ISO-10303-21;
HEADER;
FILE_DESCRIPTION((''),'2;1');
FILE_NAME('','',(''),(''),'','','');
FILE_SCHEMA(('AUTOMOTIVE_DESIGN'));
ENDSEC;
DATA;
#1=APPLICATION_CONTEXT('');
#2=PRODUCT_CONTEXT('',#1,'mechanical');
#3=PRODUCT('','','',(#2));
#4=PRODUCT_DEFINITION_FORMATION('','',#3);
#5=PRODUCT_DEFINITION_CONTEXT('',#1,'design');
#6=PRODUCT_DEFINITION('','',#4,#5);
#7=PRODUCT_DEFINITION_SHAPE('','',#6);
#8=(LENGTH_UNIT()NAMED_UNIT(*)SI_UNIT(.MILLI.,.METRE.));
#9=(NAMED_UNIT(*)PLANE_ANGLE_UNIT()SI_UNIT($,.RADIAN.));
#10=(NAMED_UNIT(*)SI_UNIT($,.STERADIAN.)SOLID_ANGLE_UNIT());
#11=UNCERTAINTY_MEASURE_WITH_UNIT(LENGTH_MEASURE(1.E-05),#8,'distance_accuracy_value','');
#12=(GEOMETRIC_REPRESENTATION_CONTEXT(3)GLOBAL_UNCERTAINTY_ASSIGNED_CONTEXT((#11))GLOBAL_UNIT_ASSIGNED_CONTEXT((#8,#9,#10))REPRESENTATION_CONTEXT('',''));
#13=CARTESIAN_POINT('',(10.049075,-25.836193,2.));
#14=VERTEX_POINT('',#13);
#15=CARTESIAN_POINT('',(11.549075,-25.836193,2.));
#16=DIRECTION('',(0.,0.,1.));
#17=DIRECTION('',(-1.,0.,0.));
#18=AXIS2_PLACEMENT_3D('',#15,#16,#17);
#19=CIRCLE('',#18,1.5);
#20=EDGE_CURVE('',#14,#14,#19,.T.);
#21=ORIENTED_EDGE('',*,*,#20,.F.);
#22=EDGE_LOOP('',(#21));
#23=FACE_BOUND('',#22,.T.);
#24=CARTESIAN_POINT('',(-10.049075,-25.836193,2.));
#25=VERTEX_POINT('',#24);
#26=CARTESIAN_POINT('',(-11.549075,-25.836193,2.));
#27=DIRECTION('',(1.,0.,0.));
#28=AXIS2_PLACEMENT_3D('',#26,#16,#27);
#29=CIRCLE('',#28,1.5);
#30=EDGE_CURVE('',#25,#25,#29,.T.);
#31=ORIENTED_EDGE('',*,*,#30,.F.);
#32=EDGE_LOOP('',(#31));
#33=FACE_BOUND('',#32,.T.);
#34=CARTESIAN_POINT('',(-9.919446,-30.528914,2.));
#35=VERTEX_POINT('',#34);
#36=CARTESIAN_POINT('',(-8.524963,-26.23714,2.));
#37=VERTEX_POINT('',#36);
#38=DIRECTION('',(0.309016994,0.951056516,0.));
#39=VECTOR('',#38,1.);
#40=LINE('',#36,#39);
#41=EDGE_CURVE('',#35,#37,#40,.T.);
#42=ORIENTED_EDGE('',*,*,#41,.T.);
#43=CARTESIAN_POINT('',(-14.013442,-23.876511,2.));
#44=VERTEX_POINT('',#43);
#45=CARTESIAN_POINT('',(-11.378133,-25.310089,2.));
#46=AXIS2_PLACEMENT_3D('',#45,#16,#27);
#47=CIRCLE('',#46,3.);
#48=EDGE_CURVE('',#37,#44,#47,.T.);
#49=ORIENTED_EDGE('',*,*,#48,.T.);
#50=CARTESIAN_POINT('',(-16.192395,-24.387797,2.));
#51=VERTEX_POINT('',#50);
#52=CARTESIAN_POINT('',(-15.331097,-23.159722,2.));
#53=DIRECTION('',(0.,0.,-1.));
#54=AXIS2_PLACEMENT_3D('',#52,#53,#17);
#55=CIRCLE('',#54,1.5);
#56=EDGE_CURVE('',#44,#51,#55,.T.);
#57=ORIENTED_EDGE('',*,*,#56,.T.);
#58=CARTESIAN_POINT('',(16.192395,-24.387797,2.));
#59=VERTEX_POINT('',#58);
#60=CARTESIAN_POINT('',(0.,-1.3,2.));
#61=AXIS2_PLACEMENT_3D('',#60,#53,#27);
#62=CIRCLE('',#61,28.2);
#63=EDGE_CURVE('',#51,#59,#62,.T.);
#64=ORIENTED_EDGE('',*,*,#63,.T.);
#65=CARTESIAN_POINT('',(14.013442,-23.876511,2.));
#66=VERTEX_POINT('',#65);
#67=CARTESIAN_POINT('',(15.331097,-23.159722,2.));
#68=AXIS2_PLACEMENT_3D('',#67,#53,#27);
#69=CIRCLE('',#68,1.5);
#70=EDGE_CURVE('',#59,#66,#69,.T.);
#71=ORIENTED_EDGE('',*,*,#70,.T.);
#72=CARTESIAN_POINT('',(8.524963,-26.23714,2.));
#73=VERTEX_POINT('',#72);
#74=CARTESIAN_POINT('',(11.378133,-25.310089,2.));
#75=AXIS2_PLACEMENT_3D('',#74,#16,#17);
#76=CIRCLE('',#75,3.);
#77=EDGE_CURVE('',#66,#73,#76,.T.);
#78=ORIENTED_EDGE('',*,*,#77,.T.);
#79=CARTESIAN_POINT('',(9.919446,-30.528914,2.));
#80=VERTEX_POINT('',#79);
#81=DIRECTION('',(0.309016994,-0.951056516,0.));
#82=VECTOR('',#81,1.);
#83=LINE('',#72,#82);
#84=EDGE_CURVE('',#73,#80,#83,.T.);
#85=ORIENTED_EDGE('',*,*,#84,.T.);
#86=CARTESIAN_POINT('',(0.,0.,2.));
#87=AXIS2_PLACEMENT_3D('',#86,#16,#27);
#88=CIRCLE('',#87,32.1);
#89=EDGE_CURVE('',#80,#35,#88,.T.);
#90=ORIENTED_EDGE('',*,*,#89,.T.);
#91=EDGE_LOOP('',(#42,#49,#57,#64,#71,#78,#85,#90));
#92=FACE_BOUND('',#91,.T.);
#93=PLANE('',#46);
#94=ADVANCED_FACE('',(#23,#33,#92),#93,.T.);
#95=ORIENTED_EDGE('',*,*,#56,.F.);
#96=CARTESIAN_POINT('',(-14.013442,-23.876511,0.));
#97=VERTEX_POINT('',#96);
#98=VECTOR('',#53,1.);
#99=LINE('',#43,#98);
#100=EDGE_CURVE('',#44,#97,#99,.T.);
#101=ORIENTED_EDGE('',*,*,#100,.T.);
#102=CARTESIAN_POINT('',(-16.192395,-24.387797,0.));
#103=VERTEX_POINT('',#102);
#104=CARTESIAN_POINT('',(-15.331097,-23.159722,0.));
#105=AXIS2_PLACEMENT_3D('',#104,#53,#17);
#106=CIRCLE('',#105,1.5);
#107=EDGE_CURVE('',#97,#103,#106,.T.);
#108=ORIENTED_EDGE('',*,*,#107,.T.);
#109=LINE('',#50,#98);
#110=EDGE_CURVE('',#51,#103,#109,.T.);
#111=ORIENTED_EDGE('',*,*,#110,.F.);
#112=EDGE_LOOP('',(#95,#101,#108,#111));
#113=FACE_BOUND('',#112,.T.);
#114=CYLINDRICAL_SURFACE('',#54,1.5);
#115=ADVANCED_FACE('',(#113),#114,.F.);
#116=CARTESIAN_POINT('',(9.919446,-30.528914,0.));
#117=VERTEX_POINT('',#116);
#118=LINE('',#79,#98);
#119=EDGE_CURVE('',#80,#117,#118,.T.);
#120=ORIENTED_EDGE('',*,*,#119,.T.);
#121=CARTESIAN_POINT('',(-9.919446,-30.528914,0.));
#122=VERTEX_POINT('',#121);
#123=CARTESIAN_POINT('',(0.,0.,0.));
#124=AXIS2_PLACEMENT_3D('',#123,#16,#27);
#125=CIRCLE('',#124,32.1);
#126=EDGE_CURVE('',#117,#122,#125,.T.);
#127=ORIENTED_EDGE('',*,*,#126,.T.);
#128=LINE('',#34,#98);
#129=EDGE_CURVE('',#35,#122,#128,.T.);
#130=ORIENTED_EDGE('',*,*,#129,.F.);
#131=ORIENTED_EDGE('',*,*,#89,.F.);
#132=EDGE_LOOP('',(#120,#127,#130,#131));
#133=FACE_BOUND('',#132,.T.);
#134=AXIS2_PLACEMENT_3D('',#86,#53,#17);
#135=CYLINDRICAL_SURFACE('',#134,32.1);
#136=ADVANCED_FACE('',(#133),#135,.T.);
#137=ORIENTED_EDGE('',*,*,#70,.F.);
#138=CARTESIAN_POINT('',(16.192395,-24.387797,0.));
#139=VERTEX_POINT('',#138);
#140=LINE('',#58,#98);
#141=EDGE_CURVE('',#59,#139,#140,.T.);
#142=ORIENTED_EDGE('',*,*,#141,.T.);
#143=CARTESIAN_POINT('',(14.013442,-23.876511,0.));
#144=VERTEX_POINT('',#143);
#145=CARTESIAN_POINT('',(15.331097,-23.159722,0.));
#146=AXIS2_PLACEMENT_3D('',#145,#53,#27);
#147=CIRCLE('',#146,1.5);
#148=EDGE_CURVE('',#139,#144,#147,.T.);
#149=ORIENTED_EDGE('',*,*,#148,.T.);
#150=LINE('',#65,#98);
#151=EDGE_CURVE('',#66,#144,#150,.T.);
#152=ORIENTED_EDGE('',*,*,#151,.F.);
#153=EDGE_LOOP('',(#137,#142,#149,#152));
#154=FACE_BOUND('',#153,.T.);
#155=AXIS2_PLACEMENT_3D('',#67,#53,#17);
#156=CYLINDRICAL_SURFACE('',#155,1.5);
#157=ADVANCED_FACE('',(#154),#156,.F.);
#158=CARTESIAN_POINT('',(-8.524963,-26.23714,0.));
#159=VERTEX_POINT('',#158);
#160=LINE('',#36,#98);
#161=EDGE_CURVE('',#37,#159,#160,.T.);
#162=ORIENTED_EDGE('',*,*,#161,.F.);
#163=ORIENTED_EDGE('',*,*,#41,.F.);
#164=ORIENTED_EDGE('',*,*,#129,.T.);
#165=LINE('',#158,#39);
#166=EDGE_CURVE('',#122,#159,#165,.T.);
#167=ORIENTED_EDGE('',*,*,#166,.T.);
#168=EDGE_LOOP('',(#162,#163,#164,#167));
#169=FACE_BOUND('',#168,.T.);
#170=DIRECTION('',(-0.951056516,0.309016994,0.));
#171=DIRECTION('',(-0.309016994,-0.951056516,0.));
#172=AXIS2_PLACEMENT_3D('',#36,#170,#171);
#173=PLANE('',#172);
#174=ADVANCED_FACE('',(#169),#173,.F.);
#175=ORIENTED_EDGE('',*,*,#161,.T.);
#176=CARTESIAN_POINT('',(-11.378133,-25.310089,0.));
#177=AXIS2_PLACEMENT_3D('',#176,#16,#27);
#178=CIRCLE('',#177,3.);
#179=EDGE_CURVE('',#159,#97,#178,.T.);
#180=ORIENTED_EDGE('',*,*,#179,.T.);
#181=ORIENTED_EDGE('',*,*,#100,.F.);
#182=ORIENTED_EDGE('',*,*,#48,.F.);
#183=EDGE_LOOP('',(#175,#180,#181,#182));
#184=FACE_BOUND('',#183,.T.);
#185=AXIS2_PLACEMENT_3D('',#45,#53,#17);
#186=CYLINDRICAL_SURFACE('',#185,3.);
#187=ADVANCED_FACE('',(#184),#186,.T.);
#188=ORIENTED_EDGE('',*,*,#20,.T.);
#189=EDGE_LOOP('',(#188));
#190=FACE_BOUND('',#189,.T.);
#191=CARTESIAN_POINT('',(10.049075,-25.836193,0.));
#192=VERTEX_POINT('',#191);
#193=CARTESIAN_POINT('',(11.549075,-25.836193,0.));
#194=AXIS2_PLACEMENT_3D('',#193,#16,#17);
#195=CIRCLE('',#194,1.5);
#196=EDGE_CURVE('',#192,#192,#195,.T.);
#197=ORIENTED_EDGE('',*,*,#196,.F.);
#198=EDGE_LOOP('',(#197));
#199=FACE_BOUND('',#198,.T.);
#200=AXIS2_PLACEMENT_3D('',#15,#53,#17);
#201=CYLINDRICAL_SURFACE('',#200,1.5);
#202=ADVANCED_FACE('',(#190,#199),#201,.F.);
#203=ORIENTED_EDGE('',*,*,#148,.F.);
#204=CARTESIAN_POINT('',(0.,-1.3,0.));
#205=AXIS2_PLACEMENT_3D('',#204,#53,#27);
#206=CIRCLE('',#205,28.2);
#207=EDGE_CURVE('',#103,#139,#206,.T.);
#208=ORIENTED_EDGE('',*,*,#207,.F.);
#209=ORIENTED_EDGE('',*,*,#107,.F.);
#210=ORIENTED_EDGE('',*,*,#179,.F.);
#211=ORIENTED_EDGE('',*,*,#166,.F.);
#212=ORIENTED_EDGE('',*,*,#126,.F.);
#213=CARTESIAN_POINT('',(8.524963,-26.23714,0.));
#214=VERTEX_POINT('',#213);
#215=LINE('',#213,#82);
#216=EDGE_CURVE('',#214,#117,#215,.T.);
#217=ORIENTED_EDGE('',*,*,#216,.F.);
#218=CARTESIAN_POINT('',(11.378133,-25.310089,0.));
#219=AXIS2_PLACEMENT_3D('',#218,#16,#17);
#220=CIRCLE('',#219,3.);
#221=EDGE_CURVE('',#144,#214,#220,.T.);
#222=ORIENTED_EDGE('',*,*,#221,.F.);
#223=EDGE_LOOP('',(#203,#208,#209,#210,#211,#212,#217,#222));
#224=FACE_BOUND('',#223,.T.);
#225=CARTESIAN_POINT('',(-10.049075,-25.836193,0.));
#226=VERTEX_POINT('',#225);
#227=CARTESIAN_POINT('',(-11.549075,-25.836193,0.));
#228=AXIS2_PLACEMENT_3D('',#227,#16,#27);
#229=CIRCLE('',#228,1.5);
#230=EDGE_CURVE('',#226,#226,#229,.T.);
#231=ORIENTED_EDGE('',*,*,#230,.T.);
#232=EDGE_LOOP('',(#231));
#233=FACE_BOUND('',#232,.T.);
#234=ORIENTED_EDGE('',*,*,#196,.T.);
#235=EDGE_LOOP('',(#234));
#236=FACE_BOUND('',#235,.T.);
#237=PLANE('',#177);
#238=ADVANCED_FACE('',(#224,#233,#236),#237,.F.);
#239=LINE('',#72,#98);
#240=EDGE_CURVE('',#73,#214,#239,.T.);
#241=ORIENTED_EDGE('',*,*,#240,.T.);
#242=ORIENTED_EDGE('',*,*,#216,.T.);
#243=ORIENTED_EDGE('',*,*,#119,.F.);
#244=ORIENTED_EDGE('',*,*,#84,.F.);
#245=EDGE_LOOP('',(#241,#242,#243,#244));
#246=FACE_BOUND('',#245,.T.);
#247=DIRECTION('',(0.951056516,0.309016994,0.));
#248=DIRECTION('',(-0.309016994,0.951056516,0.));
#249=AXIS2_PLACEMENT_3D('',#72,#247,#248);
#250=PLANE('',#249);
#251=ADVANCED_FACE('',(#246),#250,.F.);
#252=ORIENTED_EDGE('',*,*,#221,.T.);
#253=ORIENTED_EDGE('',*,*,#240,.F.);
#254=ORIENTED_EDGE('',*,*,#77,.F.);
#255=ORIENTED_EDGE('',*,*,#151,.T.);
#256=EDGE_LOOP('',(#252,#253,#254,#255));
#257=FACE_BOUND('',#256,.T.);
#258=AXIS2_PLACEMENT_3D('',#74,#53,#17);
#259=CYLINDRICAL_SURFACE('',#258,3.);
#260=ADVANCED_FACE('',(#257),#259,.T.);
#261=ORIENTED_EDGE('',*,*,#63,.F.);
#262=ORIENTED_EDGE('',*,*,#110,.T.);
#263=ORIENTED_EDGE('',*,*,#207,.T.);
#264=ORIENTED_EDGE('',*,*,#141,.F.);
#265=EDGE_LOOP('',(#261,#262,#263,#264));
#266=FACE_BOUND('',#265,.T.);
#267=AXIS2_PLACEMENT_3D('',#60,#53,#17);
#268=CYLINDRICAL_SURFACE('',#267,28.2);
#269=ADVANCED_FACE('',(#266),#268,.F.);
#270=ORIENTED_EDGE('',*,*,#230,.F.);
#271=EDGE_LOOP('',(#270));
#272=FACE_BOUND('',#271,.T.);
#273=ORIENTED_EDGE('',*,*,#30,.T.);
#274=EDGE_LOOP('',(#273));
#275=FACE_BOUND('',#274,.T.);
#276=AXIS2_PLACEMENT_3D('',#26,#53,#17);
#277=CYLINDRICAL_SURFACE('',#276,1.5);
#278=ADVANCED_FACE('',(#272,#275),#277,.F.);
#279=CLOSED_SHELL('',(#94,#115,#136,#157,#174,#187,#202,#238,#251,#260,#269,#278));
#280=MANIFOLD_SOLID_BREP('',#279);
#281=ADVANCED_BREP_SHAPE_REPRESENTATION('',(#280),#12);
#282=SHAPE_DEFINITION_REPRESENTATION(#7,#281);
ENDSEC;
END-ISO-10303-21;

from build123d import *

# Parameters (mm, degrees)
SKETCH_1_R        = 1.5
EXTRUDE_876_DEPTH = 2


with BuildPart() as part:
    # 草图1 → Extrude 876 (new body)
    with BuildSketch(Plane.XY):
        with BuildLine():
            Line((-8.524963452, -26.237139671), (-9.919445519, -30.528914173))
            ThreePointArc((-9.919445519, -30.528914173), (0, 32.1), (9.919445519, -30.528914173))
            Line((9.919445519, -30.528914173), (8.524963452, -26.237139671))
            ThreePointArc((8.524963452, -26.237139671), (10.192802875, -22.554187295), (14.013442369, -23.876511159))
            ThreePointArc((14.013442369, -23.876511159), (14.988432972, -24.620058426), (16.192394641, -24.387796686))
            ThreePointArc((16.192394641, -24.387796686), (0, 26.9), (-16.192394641, -24.387796686))
            ThreePointArc((-16.192394641, -24.387796686), (-14.988432972, -24.620058426), (-14.013442369, -23.876511159))
            ThreePointArc((-14.013442369, -23.876511159), (-10.192802875, -22.554187295), (-8.524963452, -26.237139671))
        make_face()
        with Locations((-11.549074686, -25.8361931)):
            Circle(SKETCH_1_R, mode=Mode.SUBTRACT)
        with Locations(Location((11.549074686, -25.8361931, 0), (0, 0, 180))):
            Circle(SKETCH_1_R, mode=Mode.SUBTRACT)
    extrude(amount=EXTRUDE_876_DEPTH)


solid = part.part
